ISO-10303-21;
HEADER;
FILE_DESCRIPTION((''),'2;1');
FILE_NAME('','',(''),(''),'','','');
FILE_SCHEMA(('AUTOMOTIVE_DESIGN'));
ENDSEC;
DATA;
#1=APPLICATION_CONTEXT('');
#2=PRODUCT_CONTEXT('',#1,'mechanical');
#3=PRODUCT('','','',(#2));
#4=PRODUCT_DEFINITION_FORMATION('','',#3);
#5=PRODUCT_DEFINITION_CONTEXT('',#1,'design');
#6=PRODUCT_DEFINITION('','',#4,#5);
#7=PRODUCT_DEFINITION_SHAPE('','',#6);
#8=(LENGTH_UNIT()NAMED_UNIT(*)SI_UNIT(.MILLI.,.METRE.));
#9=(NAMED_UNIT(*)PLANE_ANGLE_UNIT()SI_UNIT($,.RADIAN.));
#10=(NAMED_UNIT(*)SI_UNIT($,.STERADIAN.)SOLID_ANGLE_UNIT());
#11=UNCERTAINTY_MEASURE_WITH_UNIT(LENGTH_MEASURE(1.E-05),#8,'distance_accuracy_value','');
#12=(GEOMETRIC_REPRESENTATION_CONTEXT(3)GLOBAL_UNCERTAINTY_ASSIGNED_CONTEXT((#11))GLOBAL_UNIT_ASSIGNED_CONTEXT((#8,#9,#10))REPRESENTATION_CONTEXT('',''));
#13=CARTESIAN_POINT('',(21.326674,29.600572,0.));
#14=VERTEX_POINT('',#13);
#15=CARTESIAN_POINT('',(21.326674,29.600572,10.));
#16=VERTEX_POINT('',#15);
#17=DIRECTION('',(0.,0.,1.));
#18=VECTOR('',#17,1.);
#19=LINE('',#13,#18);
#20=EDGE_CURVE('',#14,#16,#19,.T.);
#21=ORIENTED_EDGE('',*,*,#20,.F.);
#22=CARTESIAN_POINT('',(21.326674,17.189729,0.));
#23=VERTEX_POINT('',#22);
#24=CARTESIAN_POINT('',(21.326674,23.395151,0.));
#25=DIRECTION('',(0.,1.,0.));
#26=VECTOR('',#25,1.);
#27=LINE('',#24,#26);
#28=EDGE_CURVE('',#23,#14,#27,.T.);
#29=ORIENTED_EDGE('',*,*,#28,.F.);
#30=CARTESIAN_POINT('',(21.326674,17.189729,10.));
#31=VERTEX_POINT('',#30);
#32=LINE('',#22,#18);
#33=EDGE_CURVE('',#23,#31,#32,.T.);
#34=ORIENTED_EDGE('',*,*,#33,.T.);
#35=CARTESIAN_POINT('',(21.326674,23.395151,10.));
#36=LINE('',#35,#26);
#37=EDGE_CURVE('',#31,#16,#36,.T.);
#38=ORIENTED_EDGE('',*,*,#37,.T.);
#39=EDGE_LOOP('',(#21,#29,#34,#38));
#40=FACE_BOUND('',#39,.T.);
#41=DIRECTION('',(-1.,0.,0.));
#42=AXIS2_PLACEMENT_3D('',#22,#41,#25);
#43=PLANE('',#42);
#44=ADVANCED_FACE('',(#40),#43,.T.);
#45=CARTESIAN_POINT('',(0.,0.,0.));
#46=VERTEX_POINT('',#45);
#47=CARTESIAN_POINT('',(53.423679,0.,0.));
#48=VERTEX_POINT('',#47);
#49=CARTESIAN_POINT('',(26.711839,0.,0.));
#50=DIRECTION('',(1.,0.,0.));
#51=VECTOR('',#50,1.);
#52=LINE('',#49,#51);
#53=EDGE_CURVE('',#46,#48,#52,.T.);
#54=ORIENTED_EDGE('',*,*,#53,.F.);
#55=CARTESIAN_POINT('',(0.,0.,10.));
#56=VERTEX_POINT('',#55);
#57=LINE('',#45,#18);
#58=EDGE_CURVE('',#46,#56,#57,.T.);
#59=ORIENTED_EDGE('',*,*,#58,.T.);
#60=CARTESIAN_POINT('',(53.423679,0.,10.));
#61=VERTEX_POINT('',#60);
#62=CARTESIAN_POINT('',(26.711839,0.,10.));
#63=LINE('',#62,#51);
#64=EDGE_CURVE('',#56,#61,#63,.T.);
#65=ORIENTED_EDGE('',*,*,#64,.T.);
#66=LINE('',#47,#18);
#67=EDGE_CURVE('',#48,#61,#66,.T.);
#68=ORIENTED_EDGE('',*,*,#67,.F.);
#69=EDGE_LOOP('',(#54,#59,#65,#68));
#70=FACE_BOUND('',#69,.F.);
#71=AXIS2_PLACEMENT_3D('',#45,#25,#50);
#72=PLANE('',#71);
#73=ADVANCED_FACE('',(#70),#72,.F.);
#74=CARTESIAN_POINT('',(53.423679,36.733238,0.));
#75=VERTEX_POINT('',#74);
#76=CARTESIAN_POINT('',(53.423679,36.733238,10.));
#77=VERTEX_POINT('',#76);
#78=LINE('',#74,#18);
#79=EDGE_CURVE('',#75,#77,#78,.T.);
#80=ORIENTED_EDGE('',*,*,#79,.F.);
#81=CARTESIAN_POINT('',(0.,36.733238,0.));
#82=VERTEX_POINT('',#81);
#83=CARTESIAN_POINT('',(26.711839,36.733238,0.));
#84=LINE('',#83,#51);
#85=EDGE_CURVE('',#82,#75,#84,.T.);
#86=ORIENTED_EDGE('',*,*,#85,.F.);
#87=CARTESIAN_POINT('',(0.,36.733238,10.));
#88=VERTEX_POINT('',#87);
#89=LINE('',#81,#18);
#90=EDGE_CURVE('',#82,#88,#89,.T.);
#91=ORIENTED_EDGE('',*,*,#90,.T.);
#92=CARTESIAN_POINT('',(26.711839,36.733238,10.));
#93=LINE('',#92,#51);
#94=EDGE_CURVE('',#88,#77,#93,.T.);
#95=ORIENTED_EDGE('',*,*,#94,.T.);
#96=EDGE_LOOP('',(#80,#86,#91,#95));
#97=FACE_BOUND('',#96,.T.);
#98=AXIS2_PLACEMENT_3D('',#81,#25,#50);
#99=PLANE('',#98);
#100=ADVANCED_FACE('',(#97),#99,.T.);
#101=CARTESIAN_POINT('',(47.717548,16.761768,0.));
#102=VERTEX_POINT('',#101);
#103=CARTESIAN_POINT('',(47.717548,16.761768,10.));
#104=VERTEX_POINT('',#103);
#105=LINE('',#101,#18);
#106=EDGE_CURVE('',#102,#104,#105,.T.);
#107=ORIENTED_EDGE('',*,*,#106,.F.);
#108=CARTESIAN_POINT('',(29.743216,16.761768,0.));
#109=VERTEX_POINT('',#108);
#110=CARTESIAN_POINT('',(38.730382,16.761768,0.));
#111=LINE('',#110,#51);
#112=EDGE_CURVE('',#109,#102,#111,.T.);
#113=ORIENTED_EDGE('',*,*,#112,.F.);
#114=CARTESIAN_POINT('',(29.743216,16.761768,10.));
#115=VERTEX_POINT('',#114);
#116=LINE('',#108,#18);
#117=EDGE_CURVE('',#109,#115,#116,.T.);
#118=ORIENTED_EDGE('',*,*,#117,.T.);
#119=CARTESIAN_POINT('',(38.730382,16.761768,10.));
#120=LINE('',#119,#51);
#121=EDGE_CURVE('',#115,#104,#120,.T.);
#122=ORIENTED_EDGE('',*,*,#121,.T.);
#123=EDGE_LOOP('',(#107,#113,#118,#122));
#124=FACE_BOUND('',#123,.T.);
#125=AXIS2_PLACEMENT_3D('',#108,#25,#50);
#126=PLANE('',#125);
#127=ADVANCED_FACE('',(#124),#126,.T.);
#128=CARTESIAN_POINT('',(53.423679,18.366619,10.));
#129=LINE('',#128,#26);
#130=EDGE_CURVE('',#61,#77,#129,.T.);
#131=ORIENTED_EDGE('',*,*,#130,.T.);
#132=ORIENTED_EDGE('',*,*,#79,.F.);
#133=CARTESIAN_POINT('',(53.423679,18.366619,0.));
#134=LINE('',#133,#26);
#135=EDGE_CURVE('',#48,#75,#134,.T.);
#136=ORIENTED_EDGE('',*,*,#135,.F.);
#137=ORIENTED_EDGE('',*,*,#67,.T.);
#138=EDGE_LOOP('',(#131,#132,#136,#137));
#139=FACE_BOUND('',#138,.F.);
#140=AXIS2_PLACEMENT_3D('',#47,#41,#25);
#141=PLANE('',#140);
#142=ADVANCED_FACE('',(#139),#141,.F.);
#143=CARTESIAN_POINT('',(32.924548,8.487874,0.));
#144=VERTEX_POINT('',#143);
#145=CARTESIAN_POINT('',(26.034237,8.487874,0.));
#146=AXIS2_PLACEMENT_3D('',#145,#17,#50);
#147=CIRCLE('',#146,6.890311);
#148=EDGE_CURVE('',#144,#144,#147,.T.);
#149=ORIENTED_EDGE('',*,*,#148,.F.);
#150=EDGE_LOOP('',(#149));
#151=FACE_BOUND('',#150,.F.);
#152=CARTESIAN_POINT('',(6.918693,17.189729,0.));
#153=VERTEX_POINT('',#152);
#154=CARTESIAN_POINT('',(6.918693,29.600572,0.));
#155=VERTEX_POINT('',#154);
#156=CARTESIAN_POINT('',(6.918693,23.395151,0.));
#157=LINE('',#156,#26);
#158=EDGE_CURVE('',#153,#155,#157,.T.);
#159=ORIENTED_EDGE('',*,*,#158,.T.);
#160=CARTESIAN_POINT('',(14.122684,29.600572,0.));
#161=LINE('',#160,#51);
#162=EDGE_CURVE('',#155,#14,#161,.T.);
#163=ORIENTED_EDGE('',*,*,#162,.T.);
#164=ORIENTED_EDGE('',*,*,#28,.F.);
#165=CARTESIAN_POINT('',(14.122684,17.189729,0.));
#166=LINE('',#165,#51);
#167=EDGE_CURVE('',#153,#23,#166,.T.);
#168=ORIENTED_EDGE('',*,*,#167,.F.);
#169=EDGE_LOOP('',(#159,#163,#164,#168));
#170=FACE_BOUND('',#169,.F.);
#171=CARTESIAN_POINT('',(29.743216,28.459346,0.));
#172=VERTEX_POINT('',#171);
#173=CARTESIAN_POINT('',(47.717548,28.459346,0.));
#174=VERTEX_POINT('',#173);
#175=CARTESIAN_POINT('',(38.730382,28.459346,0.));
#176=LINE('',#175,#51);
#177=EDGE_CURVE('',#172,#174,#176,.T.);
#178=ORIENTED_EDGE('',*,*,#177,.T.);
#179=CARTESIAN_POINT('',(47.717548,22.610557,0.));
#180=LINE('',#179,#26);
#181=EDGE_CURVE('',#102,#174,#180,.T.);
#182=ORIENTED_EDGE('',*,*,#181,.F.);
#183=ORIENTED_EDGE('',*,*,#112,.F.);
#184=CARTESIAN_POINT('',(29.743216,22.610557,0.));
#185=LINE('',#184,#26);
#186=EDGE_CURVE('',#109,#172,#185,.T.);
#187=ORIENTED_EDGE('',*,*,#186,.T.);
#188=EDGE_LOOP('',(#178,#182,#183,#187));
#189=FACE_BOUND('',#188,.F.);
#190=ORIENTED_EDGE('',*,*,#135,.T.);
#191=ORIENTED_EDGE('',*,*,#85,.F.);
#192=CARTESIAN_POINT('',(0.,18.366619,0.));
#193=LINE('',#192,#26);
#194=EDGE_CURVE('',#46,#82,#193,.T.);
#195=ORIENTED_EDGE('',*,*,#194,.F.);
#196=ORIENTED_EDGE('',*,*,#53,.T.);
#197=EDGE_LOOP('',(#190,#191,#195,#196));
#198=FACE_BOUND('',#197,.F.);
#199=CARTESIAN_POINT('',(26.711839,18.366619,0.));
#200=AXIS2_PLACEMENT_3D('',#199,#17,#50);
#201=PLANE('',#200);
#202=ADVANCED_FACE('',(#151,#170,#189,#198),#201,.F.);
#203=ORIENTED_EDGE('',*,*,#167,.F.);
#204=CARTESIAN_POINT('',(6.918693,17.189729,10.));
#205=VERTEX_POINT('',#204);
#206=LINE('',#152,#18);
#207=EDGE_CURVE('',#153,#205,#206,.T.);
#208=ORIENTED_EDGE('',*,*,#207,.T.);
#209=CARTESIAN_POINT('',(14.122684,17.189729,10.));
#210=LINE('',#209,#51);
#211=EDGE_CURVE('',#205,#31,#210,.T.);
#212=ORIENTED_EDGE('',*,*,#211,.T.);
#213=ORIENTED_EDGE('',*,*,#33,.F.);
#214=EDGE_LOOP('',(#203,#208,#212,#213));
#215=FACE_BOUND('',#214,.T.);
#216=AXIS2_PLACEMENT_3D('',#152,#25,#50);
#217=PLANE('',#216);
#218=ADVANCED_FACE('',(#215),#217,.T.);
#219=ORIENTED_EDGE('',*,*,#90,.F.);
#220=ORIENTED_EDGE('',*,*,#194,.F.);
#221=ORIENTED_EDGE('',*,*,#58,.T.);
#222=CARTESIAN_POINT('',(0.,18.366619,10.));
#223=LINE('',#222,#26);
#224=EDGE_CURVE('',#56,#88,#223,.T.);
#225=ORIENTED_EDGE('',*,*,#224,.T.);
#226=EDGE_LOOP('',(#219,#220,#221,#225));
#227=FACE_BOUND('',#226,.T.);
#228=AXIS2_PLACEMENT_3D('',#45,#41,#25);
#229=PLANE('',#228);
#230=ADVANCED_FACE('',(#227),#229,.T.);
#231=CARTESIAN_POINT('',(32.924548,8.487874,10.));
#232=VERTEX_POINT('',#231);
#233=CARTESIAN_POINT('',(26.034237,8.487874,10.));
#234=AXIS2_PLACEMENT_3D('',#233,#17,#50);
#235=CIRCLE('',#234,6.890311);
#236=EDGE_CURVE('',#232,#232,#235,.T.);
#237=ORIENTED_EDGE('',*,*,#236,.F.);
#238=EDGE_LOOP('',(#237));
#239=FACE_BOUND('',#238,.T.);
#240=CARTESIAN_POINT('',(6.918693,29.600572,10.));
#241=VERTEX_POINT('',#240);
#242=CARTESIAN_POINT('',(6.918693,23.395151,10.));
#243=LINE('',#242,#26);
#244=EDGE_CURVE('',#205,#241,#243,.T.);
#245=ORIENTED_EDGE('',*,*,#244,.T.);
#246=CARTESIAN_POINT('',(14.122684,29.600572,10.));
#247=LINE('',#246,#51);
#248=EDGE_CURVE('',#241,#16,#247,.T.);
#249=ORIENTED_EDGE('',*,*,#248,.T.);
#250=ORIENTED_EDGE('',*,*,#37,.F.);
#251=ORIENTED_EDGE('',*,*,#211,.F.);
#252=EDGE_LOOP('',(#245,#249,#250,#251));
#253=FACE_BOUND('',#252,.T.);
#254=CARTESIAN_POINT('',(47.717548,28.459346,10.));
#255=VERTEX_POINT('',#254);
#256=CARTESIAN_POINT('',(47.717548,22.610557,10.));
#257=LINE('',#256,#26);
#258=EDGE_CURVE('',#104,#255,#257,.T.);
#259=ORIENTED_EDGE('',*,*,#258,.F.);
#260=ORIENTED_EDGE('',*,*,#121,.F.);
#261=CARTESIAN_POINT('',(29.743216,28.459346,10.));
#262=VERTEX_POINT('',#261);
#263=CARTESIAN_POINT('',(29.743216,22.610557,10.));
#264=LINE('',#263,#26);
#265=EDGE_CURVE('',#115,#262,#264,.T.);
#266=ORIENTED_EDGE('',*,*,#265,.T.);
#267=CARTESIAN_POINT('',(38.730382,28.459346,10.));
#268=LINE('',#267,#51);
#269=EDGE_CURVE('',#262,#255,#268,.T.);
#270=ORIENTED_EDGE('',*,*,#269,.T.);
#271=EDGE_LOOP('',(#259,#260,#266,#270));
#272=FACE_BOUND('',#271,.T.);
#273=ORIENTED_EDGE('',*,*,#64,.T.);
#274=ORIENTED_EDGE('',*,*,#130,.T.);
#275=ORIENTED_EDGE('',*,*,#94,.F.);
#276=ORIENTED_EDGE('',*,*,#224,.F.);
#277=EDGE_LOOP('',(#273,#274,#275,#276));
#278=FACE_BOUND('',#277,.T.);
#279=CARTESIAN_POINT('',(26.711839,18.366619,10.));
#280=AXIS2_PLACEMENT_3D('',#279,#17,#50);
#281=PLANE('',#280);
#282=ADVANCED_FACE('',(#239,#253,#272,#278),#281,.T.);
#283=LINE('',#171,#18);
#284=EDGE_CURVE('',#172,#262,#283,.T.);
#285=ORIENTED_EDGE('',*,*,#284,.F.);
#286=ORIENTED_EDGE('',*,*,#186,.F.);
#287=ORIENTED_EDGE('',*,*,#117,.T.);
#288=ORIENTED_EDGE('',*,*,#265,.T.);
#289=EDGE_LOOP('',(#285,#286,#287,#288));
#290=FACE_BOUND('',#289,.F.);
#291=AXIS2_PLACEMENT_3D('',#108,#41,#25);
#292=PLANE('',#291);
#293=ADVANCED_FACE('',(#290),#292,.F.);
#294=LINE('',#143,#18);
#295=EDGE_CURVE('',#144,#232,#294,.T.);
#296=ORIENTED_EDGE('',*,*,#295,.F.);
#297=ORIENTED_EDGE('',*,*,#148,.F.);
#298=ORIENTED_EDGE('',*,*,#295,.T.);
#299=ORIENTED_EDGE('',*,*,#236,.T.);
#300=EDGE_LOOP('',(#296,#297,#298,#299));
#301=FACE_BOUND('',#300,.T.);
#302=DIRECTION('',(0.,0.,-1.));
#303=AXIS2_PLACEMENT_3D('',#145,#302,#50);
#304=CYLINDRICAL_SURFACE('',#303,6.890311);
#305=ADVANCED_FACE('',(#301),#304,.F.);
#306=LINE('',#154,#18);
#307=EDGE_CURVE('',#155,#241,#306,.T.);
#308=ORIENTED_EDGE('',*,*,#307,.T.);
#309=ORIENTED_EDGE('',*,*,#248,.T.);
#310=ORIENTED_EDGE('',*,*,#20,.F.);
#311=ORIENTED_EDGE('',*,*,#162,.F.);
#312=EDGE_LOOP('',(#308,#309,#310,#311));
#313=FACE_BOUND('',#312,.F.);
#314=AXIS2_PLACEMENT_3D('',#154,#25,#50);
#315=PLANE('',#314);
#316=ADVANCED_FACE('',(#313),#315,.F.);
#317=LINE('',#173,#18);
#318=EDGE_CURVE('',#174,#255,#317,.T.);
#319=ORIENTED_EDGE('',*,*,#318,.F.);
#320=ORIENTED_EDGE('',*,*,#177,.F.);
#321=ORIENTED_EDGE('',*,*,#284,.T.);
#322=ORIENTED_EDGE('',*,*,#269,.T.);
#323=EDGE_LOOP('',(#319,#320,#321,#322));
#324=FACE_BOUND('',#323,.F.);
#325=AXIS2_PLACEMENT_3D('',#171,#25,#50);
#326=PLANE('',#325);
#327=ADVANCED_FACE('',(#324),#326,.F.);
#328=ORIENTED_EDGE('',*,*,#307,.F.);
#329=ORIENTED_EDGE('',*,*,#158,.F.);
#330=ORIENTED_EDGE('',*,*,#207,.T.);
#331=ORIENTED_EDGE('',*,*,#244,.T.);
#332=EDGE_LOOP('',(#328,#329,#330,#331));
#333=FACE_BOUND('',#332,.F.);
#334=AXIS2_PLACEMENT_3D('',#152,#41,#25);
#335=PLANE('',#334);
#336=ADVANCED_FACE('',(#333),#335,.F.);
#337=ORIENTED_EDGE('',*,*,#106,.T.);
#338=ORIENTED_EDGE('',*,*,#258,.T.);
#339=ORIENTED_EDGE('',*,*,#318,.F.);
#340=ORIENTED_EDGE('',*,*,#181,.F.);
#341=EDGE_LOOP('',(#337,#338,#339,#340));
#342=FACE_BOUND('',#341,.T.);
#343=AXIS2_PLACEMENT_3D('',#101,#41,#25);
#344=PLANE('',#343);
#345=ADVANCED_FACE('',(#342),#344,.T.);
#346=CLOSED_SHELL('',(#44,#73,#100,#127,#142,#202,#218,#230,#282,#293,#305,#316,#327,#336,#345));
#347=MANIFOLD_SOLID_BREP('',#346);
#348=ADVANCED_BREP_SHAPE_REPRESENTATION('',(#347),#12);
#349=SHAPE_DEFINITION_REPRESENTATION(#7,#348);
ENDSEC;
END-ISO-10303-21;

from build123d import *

# Parameters (mm, degrees)
SKETCH_W      = 53.423679
SKETCH_H      = 36.733238
SKETCH_R      = 6.890311
SKETCH_W_2    = 14.407981
SKETCH_H_2    = 12.410843
SKETCH_W_3    = 17.974331
SKETCH_H_3    = 11.697579
EXTRUDE_DEPTH = 10


with BuildPart() as part:
    # Sketch → Extrude (new body)
    with BuildSketch(Plane.XY):
        with Locations((26.711839, 18.366619)):
            Rectangle(SKETCH_W, SKETCH_H)
        with Locations((26.034237, 8.487874)):
            Circle(SKETCH_R, mode=Mode.SUBTRACT)
        with Locations((14.122684, 23.395151)):
            Rectangle(SKETCH_W_2, SKETCH_H_2, mode=Mode.SUBTRACT)
        with Locations((38.730382, 22.610557)):
            Rectangle(SKETCH_W_3, SKETCH_H_3, mode=Mode.SUBTRACT)
    extrude(amount=EXTRUDE_DEPTH)


solid = part.part
